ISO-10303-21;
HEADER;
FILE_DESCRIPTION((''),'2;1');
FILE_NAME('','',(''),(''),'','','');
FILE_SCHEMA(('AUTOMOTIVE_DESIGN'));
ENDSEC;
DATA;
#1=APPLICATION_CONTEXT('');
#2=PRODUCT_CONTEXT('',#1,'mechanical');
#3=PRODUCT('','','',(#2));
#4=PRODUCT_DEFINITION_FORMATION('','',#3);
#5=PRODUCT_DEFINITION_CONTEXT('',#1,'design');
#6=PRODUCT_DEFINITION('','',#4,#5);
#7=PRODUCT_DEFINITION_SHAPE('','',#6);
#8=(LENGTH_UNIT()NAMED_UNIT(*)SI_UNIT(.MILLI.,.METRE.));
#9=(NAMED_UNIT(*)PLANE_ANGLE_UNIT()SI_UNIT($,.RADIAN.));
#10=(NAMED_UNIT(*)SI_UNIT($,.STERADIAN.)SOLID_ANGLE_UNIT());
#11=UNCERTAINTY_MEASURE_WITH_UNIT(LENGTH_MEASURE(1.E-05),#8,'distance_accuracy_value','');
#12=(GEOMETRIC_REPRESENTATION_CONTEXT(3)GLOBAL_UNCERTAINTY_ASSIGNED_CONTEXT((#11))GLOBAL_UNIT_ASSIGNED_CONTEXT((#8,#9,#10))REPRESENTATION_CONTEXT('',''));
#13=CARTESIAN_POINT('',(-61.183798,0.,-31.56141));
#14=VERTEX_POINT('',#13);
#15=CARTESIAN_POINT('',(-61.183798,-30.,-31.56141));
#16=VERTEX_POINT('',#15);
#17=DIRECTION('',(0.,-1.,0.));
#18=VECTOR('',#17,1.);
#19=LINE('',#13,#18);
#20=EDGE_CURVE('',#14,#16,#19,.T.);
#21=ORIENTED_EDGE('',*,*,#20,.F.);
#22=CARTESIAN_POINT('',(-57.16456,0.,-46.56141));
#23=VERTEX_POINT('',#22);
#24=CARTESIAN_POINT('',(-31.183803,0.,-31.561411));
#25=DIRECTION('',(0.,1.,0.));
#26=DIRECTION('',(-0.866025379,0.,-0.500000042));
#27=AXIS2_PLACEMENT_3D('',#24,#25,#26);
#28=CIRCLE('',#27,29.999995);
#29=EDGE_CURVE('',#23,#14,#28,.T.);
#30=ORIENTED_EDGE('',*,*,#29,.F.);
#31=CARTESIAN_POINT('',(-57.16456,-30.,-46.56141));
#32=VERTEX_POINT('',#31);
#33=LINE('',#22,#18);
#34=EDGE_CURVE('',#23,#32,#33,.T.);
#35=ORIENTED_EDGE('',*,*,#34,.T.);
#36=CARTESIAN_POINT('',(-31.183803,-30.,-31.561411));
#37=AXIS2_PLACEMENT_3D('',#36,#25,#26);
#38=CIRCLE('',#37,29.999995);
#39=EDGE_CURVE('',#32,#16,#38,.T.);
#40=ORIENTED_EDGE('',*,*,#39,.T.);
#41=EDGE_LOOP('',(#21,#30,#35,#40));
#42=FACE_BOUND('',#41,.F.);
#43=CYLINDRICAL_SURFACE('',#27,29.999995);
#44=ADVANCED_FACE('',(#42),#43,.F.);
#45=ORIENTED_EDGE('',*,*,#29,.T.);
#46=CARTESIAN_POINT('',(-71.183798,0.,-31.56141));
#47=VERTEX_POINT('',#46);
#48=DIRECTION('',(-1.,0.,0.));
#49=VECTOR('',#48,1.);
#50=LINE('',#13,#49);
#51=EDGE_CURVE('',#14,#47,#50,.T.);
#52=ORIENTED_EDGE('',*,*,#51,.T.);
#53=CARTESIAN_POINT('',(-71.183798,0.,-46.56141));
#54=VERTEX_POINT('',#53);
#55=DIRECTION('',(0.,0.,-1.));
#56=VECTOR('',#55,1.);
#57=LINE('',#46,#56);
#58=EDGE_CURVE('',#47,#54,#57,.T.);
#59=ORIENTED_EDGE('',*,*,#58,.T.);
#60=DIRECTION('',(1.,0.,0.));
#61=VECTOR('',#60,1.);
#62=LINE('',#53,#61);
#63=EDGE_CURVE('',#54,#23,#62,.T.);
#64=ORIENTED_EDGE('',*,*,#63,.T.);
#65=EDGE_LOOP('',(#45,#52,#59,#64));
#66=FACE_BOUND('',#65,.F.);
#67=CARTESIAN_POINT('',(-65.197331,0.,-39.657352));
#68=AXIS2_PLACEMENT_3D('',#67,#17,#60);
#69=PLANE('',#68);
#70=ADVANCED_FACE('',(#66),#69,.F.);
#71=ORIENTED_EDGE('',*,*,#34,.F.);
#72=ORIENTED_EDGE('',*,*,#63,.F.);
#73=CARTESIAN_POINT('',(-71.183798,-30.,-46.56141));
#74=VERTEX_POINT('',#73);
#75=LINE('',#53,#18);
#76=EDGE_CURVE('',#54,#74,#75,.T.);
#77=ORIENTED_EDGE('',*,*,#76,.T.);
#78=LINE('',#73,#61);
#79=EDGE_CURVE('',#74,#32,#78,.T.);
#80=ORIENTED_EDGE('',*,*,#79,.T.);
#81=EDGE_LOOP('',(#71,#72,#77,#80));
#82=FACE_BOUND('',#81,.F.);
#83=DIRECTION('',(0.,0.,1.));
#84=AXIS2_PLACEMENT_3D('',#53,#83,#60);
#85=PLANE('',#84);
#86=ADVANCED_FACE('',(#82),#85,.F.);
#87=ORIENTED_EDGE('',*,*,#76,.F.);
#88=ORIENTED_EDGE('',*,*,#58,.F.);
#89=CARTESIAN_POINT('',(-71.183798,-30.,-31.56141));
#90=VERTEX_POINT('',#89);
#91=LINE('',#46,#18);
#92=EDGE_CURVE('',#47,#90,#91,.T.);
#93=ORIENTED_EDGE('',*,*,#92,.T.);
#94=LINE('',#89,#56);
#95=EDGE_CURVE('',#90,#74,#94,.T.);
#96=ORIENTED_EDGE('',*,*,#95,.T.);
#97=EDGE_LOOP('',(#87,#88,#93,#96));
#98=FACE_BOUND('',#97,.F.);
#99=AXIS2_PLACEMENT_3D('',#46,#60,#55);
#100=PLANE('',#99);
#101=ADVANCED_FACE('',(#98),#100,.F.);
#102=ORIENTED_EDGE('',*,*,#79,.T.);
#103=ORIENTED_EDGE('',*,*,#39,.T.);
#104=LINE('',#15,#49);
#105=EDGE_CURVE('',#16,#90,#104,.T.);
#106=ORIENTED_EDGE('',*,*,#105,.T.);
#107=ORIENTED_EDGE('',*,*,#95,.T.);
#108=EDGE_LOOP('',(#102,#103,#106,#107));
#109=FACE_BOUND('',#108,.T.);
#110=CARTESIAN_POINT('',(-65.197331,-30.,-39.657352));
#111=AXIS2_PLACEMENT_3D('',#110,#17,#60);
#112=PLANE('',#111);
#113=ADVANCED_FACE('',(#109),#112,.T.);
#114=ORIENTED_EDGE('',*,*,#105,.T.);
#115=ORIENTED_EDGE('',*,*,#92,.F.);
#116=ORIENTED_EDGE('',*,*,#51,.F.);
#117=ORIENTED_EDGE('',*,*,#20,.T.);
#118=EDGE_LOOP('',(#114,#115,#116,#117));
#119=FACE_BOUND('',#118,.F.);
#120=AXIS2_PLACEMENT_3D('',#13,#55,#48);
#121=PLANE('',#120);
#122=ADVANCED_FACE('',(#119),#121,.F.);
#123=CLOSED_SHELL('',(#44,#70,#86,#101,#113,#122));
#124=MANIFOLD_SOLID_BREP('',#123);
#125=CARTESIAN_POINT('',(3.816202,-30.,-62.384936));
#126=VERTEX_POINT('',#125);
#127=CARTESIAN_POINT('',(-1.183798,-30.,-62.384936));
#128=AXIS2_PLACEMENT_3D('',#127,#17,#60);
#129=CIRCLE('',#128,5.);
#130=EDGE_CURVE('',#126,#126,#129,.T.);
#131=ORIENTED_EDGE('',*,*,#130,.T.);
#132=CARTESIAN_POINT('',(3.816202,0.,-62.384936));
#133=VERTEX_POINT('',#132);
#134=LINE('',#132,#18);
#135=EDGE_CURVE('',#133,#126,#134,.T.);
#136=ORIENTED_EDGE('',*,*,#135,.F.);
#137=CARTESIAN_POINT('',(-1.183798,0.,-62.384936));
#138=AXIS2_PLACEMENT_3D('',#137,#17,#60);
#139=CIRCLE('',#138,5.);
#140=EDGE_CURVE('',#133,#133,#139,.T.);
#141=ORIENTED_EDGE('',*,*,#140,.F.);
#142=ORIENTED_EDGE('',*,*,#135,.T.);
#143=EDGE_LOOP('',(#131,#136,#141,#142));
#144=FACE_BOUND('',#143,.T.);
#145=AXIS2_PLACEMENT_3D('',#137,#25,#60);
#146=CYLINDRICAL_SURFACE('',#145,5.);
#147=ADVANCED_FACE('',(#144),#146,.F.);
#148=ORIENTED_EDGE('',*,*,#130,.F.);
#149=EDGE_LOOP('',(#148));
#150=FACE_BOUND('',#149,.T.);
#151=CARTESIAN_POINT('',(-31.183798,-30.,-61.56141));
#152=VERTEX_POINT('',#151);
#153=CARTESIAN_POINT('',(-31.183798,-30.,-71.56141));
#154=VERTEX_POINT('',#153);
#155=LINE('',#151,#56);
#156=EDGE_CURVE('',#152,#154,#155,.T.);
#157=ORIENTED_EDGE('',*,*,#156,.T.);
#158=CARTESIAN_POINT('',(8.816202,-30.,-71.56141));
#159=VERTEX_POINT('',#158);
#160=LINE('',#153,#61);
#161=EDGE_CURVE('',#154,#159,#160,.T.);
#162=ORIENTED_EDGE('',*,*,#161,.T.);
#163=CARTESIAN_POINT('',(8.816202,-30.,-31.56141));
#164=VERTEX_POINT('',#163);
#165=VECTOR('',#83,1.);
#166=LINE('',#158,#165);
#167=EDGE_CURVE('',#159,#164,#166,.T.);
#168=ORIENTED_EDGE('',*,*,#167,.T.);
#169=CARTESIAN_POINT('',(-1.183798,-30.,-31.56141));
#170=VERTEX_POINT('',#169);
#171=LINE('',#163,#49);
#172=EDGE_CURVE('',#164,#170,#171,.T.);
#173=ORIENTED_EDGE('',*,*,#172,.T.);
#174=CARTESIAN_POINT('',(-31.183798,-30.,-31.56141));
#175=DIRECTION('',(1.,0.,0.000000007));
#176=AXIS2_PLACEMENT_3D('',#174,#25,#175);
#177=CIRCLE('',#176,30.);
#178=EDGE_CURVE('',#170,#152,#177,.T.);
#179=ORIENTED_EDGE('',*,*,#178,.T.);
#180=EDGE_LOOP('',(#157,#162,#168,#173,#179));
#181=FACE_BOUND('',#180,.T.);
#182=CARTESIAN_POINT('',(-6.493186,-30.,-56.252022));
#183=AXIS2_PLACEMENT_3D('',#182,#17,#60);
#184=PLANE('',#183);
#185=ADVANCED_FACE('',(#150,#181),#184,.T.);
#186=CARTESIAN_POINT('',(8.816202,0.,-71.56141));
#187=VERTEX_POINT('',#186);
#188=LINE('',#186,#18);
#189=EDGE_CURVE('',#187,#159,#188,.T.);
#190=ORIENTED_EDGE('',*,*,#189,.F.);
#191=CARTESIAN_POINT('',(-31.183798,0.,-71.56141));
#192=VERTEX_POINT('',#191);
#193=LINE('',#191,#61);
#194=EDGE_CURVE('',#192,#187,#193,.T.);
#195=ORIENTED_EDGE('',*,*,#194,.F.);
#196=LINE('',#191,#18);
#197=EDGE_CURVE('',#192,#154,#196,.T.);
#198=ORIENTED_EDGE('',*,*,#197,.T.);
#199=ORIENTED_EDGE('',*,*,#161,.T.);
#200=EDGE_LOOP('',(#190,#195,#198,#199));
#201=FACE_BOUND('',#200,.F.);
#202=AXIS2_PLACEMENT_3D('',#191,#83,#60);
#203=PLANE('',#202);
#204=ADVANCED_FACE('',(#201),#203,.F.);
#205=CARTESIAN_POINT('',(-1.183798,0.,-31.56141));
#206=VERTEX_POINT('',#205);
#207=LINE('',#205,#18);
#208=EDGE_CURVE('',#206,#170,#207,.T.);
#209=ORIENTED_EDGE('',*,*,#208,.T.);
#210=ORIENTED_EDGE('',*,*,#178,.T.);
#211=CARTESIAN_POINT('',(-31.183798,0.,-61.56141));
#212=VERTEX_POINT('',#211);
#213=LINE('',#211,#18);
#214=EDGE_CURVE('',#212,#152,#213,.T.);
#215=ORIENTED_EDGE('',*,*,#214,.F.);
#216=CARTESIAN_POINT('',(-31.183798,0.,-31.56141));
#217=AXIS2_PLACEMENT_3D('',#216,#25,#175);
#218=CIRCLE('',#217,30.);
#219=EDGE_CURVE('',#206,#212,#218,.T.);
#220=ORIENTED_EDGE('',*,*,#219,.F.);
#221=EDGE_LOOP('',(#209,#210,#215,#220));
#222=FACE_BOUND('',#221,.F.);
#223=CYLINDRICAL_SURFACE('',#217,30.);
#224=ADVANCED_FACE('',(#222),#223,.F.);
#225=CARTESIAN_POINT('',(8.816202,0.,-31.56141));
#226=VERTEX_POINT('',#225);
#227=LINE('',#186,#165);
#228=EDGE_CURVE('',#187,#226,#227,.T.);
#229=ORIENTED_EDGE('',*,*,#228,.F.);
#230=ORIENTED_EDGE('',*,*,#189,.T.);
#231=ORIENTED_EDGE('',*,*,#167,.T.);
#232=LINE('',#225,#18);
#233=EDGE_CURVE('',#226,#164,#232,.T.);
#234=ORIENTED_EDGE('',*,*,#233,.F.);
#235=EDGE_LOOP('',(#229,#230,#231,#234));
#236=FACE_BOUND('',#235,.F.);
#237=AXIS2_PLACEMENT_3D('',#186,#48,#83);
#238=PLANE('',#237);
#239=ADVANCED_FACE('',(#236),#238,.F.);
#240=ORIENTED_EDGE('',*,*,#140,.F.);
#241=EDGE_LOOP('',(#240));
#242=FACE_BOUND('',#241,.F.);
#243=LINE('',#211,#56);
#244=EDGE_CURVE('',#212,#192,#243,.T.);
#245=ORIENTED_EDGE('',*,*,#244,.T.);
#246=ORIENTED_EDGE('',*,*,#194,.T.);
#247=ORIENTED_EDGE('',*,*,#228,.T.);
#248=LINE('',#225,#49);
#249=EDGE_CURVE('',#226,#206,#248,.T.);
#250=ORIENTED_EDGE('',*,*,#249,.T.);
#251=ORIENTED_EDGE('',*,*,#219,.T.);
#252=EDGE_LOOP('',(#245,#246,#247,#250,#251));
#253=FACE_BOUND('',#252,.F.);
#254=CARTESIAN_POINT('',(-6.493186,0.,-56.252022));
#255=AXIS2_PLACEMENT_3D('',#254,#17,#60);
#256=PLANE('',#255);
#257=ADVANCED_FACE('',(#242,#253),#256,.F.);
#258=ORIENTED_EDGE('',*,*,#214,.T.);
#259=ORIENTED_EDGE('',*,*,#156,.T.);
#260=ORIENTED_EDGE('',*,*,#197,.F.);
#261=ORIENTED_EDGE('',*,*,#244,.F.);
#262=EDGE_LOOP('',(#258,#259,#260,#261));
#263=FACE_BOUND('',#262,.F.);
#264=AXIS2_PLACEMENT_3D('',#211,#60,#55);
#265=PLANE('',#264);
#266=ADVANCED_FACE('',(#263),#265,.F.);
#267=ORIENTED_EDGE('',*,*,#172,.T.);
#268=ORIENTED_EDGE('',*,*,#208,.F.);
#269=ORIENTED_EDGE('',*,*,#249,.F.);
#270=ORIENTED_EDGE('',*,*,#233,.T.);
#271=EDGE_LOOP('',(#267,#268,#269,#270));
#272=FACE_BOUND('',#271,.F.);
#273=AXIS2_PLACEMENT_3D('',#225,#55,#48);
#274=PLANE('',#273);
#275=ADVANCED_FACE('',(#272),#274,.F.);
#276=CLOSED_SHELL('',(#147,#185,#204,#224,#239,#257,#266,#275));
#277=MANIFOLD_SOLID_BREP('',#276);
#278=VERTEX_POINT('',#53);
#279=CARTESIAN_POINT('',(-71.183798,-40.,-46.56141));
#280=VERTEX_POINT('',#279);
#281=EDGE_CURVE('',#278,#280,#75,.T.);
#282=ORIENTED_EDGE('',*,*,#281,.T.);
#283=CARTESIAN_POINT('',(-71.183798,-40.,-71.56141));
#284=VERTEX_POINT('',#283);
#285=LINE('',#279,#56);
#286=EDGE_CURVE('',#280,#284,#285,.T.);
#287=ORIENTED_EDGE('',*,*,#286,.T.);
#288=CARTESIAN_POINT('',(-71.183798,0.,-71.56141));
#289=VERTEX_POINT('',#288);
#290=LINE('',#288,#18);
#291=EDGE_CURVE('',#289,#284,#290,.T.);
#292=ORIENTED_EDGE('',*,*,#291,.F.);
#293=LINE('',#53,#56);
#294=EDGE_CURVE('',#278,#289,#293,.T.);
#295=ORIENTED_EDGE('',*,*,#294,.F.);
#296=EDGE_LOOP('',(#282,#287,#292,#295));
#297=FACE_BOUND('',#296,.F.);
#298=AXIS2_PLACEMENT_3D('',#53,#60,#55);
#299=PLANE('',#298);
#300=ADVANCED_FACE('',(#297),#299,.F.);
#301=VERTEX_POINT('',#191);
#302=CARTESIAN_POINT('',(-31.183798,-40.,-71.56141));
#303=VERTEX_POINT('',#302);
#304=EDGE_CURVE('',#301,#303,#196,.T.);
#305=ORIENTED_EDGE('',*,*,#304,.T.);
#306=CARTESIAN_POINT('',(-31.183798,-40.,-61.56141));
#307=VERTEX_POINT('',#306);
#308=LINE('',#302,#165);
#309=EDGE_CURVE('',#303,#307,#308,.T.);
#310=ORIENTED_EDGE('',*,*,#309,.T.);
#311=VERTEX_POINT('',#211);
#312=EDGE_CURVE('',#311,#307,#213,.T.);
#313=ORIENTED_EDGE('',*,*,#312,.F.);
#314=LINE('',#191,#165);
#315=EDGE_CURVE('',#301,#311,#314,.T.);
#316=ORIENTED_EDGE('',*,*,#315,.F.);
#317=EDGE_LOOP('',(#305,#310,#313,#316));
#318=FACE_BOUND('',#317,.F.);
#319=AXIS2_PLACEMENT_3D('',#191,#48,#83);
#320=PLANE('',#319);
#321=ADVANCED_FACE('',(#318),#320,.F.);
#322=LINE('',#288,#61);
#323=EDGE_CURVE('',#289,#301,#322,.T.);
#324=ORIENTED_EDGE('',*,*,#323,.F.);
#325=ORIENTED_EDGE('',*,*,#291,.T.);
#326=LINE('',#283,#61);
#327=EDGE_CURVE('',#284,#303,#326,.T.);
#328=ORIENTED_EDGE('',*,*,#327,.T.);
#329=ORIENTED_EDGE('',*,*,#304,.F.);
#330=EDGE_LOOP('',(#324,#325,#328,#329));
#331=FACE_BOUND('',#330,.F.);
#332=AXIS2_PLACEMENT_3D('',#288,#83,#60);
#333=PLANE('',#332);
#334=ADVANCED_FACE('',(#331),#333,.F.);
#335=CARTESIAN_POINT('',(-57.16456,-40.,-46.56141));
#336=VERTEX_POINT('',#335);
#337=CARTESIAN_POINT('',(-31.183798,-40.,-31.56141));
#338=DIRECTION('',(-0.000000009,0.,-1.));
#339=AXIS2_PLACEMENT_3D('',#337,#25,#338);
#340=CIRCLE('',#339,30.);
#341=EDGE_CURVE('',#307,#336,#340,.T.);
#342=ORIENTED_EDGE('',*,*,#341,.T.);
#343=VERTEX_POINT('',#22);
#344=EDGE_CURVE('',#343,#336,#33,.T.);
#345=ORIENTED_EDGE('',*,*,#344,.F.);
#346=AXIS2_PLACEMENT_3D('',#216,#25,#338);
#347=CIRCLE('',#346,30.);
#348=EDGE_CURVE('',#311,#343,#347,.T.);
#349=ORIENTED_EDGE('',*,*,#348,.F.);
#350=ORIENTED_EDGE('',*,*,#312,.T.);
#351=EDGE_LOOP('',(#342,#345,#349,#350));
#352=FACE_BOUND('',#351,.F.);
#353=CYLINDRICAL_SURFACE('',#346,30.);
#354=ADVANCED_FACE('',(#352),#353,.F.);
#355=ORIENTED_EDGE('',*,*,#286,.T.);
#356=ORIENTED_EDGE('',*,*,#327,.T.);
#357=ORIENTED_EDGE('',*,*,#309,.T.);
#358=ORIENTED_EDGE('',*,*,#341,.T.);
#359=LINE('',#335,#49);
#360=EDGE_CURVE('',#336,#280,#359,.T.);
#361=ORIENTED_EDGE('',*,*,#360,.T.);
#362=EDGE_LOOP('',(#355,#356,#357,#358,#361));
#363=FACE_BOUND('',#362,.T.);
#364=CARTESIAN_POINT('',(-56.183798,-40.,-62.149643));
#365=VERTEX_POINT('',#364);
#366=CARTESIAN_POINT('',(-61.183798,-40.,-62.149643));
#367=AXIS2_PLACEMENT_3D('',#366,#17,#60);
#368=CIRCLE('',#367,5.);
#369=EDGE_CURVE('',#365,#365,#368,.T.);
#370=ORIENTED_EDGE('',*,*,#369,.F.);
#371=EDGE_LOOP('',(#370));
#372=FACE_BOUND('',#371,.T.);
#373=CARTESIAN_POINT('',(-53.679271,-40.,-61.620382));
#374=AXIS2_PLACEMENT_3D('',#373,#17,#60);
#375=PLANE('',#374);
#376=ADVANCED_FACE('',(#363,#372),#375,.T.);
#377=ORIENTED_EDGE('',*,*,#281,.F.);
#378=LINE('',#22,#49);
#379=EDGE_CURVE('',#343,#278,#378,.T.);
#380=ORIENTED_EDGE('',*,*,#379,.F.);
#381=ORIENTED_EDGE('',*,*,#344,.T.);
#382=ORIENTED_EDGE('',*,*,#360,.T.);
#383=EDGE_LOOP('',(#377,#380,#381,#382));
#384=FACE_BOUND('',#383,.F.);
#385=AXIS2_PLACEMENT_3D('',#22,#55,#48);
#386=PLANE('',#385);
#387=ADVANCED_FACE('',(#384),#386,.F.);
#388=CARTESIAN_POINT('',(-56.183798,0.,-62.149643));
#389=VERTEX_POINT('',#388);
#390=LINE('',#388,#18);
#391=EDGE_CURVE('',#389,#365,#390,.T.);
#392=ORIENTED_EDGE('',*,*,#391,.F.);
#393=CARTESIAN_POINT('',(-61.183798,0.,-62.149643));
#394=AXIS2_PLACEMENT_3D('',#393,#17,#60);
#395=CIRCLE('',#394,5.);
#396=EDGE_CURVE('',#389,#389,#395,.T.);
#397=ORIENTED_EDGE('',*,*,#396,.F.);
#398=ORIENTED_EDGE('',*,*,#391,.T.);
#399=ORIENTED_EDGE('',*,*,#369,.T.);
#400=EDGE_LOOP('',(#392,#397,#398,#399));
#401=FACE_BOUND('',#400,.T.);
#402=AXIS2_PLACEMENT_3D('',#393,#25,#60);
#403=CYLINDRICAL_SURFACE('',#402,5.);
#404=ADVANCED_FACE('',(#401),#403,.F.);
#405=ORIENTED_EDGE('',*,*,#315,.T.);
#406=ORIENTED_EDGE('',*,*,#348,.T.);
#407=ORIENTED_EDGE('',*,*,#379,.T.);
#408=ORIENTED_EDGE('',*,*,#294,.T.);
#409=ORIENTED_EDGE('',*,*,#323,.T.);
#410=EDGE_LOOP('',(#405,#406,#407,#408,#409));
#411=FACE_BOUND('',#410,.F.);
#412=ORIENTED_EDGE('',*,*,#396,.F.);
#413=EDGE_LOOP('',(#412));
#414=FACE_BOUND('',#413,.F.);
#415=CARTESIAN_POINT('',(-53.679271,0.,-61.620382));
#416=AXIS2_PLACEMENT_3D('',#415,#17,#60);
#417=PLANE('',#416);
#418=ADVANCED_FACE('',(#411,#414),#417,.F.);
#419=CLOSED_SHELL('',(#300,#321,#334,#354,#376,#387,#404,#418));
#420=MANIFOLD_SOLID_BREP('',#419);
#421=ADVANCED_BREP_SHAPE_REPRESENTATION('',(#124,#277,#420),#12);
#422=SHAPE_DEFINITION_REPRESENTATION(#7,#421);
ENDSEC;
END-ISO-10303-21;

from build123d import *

# Parameters (mm, degrees)
F0_R     = 5
F1_DEPTH = 30
F2_DEPTH = 40


with BuildPart() as f1:
    # F0 (on Front) → F1 (new body)
    with BuildSketch(Plane.XZ):
        with BuildLine():
            Line((-61.183798, -31.56141), (-71.183798, -31.56141))
            Line((-71.183798, -31.56141), (-71.183798, -46.56141))
            Line((-71.183798, -46.56141), (-57.16456, -46.56141))
            ThreePointArc((-57.16456, -46.56141), (-60.161573, -39.325981), (-61.183798, -31.56141))
        make_face()
        with BuildLine():
            ThreePointArc((-1.183798, -31.56141), (-9.970594, -52.774613), (-31.183798, -61.56141))
            Line((-31.183798, -61.56141), (-31.183798, -71.56141))
            Line((-31.183798, -71.56141), (8.816202, -71.56141))
            Line((8.816202, -71.56141), (8.816202, -31.56141))
            Line((8.816202, -31.56141), (-1.183798, -31.56141))
        make_face()
        with Locations((-1.183798, -62.384936)):
            Circle(F0_R, mode=Mode.SUBTRACT)
    extrude(amount=F1_DEPTH)


with BuildPart() as f2:
    # F0 (on Front) → F2 (new body)
    with BuildSketch(Plane.XZ):
        with BuildLine():
            Line((-57.16456, -46.56141), (-71.183798, -46.56141))
            Line((-71.183798, -46.56141), (-71.183798, -71.56141))
            Line((-71.183798, -71.56141), (-31.183798, -71.56141))
            Line((-31.183798, -71.56141), (-31.183798, -61.56141))
            ThreePointArc((-31.183798, -61.56141), (-46.183798, -57.542172), (-57.16456, -46.56141))
        make_face()
        with Locations((-61.183798, -62.149643)):
            Circle(F0_R, mode=Mode.SUBTRACT)
    extrude(amount=F2_DEPTH)


solid = Compound([f1.part, f2.part])
